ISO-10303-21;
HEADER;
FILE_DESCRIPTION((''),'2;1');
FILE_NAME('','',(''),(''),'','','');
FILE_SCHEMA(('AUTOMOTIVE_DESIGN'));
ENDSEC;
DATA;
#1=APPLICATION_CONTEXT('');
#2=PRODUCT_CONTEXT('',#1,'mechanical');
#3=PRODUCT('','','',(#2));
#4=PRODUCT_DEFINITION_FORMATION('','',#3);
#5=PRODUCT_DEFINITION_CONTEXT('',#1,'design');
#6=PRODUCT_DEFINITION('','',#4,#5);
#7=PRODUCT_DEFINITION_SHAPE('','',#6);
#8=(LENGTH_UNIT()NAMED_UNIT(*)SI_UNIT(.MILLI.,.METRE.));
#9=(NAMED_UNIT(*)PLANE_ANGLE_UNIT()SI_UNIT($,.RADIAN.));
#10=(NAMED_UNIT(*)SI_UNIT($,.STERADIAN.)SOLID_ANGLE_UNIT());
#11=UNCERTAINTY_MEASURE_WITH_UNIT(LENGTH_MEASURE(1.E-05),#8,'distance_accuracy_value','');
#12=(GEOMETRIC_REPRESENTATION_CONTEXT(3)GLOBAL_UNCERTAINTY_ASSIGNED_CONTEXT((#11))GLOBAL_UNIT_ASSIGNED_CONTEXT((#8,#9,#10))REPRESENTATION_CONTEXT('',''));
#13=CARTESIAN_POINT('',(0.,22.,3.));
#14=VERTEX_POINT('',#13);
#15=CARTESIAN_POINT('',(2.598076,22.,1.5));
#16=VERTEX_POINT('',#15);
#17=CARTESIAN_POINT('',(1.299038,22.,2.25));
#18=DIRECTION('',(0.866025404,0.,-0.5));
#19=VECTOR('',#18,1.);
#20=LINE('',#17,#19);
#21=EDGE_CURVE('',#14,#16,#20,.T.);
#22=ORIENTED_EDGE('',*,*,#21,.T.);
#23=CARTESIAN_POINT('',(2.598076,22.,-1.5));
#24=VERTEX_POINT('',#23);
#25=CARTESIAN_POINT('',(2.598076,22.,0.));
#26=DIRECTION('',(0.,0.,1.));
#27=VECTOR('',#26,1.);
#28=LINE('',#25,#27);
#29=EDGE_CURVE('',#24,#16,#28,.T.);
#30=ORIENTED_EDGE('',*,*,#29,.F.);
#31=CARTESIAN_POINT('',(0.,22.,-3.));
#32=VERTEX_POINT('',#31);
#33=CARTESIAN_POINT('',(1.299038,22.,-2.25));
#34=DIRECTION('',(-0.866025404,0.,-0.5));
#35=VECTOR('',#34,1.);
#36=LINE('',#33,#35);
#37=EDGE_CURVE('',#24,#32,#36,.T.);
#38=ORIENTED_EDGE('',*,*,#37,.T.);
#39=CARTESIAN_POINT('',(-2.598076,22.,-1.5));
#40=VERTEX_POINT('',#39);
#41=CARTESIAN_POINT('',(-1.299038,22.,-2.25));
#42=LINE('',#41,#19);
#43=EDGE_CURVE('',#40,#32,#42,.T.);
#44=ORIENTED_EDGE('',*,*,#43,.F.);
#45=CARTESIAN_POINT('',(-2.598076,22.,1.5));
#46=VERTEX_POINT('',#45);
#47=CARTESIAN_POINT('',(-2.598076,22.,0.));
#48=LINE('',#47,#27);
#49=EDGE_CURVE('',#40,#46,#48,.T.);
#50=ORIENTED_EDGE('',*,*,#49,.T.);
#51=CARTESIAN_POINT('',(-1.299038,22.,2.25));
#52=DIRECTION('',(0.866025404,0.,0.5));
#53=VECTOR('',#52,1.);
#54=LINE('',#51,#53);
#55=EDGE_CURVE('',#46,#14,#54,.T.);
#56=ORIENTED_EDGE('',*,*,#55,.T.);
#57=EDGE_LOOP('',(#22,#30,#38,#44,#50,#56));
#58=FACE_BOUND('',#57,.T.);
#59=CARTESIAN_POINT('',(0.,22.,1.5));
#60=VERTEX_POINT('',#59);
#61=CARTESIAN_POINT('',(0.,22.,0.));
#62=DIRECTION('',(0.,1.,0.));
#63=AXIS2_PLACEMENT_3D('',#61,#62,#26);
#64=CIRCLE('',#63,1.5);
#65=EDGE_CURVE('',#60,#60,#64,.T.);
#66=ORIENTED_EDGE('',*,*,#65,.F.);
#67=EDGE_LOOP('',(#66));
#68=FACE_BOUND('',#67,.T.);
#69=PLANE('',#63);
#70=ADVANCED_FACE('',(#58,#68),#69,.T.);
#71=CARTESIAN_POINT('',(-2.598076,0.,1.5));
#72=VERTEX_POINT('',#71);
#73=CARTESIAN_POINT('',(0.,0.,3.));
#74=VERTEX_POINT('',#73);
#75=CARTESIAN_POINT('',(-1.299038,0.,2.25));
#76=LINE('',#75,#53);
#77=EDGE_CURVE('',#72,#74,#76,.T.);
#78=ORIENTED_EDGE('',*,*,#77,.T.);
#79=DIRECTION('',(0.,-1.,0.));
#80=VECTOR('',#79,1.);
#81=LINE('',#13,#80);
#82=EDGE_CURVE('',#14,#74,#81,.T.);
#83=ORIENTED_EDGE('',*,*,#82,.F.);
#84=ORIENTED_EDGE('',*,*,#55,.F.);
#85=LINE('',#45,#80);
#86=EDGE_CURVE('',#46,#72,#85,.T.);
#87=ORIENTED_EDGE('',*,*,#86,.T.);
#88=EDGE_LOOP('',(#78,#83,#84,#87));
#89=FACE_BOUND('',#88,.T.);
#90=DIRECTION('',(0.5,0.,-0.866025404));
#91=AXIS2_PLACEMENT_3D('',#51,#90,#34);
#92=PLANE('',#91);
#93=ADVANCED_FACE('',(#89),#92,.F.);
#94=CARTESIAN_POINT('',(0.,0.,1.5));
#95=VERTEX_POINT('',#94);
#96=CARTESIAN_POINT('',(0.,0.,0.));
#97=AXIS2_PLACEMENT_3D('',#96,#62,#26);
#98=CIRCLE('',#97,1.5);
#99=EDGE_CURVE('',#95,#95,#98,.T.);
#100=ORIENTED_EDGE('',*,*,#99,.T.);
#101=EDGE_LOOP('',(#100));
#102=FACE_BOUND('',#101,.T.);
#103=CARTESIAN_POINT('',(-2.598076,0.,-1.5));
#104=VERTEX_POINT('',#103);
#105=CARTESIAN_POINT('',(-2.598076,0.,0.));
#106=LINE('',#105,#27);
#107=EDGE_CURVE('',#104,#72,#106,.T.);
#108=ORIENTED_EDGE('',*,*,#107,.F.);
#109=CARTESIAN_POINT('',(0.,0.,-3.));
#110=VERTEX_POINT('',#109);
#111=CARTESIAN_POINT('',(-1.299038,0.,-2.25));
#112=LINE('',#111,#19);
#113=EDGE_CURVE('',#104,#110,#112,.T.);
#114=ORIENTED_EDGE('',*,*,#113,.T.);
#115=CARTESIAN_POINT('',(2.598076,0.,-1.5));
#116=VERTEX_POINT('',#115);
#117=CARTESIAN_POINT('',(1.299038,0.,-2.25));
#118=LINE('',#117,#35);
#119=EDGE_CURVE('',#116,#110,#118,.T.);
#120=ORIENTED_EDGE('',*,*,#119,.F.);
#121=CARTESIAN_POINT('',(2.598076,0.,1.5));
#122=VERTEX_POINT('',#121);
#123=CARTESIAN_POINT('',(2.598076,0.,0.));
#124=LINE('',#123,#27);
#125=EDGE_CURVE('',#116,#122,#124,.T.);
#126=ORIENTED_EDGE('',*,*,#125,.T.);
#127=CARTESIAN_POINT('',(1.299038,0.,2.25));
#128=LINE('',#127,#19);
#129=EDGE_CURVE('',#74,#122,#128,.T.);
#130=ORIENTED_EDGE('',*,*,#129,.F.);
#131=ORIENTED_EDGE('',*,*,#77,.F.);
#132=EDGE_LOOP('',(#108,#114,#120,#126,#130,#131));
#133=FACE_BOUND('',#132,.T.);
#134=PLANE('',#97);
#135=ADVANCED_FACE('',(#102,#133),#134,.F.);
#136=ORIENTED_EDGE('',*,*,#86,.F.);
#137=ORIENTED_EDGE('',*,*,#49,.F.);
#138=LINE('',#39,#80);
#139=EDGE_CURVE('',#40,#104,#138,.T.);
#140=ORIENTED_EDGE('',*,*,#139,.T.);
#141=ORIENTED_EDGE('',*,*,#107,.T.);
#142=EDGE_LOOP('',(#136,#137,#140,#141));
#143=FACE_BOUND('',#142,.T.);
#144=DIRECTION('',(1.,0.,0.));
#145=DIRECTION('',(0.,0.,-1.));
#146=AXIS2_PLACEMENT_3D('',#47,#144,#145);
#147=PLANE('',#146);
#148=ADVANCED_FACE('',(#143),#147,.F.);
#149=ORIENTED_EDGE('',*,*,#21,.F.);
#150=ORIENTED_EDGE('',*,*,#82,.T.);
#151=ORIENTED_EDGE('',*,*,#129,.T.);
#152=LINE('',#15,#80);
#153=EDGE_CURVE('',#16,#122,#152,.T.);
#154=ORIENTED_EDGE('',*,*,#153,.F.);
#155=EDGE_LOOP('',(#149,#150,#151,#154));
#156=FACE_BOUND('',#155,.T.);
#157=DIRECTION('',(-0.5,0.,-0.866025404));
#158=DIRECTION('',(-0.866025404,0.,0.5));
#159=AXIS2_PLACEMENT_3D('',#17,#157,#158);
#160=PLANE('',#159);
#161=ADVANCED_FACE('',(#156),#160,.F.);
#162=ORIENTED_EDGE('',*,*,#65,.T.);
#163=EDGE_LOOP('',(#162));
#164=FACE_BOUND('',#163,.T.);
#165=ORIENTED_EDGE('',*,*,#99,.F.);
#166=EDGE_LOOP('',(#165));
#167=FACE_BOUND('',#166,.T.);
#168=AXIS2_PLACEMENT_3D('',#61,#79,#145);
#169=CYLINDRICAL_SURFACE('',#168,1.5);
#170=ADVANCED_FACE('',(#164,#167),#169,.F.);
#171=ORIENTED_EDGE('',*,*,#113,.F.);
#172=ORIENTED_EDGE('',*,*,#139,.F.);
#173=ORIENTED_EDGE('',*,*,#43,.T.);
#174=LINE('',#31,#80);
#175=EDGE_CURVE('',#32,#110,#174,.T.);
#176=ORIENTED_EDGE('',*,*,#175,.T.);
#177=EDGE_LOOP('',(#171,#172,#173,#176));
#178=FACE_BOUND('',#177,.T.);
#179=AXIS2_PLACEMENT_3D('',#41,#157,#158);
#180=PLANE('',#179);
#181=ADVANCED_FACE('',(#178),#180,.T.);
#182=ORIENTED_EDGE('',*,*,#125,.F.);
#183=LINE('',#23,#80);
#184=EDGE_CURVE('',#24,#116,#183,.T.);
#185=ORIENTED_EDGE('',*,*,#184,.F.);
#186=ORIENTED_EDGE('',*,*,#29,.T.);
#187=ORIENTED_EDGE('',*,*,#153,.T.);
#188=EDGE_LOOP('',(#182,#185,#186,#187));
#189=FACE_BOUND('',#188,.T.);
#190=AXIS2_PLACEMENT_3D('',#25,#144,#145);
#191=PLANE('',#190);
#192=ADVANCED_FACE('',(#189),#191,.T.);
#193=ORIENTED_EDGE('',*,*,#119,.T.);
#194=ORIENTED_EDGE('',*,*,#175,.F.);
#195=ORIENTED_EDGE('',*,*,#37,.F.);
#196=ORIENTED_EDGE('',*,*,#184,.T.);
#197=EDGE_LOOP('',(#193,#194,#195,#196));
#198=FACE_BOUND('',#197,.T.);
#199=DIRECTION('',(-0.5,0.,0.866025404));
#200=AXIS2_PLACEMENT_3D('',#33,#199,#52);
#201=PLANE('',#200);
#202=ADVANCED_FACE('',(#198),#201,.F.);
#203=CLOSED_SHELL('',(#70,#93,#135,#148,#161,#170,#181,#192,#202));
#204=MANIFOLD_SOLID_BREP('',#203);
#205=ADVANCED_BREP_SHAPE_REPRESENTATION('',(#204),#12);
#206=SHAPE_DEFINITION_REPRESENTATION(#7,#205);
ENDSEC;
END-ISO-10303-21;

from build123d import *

# Parameters (mm, degrees)
SKETCH_1_R      = 1.5
EXTRUDE_1_DEPTH = 22


with BuildPart() as part:
    # Эскиз1 → Бобышка-Вытянуть1 (new body)
    with BuildSketch(Plane(origin=(0, 0, 0), x_dir=(1, 0, 0), z_dir=(0, 1, 0))):
        Polygon((-2.598076211, -1.5), (0, -3), (2.598076211, -1.5), (2.598076211, 1.5), (0, 3), (-2.598076211, 1.5), align=None)
        with Locations(Location((0, 0, 0), (0, 0, 270))):
            Circle(SKETCH_1_R, mode=Mode.SUBTRACT)
    extrude(amount=EXTRUDE_1_DEPTH)


solid = part.part
